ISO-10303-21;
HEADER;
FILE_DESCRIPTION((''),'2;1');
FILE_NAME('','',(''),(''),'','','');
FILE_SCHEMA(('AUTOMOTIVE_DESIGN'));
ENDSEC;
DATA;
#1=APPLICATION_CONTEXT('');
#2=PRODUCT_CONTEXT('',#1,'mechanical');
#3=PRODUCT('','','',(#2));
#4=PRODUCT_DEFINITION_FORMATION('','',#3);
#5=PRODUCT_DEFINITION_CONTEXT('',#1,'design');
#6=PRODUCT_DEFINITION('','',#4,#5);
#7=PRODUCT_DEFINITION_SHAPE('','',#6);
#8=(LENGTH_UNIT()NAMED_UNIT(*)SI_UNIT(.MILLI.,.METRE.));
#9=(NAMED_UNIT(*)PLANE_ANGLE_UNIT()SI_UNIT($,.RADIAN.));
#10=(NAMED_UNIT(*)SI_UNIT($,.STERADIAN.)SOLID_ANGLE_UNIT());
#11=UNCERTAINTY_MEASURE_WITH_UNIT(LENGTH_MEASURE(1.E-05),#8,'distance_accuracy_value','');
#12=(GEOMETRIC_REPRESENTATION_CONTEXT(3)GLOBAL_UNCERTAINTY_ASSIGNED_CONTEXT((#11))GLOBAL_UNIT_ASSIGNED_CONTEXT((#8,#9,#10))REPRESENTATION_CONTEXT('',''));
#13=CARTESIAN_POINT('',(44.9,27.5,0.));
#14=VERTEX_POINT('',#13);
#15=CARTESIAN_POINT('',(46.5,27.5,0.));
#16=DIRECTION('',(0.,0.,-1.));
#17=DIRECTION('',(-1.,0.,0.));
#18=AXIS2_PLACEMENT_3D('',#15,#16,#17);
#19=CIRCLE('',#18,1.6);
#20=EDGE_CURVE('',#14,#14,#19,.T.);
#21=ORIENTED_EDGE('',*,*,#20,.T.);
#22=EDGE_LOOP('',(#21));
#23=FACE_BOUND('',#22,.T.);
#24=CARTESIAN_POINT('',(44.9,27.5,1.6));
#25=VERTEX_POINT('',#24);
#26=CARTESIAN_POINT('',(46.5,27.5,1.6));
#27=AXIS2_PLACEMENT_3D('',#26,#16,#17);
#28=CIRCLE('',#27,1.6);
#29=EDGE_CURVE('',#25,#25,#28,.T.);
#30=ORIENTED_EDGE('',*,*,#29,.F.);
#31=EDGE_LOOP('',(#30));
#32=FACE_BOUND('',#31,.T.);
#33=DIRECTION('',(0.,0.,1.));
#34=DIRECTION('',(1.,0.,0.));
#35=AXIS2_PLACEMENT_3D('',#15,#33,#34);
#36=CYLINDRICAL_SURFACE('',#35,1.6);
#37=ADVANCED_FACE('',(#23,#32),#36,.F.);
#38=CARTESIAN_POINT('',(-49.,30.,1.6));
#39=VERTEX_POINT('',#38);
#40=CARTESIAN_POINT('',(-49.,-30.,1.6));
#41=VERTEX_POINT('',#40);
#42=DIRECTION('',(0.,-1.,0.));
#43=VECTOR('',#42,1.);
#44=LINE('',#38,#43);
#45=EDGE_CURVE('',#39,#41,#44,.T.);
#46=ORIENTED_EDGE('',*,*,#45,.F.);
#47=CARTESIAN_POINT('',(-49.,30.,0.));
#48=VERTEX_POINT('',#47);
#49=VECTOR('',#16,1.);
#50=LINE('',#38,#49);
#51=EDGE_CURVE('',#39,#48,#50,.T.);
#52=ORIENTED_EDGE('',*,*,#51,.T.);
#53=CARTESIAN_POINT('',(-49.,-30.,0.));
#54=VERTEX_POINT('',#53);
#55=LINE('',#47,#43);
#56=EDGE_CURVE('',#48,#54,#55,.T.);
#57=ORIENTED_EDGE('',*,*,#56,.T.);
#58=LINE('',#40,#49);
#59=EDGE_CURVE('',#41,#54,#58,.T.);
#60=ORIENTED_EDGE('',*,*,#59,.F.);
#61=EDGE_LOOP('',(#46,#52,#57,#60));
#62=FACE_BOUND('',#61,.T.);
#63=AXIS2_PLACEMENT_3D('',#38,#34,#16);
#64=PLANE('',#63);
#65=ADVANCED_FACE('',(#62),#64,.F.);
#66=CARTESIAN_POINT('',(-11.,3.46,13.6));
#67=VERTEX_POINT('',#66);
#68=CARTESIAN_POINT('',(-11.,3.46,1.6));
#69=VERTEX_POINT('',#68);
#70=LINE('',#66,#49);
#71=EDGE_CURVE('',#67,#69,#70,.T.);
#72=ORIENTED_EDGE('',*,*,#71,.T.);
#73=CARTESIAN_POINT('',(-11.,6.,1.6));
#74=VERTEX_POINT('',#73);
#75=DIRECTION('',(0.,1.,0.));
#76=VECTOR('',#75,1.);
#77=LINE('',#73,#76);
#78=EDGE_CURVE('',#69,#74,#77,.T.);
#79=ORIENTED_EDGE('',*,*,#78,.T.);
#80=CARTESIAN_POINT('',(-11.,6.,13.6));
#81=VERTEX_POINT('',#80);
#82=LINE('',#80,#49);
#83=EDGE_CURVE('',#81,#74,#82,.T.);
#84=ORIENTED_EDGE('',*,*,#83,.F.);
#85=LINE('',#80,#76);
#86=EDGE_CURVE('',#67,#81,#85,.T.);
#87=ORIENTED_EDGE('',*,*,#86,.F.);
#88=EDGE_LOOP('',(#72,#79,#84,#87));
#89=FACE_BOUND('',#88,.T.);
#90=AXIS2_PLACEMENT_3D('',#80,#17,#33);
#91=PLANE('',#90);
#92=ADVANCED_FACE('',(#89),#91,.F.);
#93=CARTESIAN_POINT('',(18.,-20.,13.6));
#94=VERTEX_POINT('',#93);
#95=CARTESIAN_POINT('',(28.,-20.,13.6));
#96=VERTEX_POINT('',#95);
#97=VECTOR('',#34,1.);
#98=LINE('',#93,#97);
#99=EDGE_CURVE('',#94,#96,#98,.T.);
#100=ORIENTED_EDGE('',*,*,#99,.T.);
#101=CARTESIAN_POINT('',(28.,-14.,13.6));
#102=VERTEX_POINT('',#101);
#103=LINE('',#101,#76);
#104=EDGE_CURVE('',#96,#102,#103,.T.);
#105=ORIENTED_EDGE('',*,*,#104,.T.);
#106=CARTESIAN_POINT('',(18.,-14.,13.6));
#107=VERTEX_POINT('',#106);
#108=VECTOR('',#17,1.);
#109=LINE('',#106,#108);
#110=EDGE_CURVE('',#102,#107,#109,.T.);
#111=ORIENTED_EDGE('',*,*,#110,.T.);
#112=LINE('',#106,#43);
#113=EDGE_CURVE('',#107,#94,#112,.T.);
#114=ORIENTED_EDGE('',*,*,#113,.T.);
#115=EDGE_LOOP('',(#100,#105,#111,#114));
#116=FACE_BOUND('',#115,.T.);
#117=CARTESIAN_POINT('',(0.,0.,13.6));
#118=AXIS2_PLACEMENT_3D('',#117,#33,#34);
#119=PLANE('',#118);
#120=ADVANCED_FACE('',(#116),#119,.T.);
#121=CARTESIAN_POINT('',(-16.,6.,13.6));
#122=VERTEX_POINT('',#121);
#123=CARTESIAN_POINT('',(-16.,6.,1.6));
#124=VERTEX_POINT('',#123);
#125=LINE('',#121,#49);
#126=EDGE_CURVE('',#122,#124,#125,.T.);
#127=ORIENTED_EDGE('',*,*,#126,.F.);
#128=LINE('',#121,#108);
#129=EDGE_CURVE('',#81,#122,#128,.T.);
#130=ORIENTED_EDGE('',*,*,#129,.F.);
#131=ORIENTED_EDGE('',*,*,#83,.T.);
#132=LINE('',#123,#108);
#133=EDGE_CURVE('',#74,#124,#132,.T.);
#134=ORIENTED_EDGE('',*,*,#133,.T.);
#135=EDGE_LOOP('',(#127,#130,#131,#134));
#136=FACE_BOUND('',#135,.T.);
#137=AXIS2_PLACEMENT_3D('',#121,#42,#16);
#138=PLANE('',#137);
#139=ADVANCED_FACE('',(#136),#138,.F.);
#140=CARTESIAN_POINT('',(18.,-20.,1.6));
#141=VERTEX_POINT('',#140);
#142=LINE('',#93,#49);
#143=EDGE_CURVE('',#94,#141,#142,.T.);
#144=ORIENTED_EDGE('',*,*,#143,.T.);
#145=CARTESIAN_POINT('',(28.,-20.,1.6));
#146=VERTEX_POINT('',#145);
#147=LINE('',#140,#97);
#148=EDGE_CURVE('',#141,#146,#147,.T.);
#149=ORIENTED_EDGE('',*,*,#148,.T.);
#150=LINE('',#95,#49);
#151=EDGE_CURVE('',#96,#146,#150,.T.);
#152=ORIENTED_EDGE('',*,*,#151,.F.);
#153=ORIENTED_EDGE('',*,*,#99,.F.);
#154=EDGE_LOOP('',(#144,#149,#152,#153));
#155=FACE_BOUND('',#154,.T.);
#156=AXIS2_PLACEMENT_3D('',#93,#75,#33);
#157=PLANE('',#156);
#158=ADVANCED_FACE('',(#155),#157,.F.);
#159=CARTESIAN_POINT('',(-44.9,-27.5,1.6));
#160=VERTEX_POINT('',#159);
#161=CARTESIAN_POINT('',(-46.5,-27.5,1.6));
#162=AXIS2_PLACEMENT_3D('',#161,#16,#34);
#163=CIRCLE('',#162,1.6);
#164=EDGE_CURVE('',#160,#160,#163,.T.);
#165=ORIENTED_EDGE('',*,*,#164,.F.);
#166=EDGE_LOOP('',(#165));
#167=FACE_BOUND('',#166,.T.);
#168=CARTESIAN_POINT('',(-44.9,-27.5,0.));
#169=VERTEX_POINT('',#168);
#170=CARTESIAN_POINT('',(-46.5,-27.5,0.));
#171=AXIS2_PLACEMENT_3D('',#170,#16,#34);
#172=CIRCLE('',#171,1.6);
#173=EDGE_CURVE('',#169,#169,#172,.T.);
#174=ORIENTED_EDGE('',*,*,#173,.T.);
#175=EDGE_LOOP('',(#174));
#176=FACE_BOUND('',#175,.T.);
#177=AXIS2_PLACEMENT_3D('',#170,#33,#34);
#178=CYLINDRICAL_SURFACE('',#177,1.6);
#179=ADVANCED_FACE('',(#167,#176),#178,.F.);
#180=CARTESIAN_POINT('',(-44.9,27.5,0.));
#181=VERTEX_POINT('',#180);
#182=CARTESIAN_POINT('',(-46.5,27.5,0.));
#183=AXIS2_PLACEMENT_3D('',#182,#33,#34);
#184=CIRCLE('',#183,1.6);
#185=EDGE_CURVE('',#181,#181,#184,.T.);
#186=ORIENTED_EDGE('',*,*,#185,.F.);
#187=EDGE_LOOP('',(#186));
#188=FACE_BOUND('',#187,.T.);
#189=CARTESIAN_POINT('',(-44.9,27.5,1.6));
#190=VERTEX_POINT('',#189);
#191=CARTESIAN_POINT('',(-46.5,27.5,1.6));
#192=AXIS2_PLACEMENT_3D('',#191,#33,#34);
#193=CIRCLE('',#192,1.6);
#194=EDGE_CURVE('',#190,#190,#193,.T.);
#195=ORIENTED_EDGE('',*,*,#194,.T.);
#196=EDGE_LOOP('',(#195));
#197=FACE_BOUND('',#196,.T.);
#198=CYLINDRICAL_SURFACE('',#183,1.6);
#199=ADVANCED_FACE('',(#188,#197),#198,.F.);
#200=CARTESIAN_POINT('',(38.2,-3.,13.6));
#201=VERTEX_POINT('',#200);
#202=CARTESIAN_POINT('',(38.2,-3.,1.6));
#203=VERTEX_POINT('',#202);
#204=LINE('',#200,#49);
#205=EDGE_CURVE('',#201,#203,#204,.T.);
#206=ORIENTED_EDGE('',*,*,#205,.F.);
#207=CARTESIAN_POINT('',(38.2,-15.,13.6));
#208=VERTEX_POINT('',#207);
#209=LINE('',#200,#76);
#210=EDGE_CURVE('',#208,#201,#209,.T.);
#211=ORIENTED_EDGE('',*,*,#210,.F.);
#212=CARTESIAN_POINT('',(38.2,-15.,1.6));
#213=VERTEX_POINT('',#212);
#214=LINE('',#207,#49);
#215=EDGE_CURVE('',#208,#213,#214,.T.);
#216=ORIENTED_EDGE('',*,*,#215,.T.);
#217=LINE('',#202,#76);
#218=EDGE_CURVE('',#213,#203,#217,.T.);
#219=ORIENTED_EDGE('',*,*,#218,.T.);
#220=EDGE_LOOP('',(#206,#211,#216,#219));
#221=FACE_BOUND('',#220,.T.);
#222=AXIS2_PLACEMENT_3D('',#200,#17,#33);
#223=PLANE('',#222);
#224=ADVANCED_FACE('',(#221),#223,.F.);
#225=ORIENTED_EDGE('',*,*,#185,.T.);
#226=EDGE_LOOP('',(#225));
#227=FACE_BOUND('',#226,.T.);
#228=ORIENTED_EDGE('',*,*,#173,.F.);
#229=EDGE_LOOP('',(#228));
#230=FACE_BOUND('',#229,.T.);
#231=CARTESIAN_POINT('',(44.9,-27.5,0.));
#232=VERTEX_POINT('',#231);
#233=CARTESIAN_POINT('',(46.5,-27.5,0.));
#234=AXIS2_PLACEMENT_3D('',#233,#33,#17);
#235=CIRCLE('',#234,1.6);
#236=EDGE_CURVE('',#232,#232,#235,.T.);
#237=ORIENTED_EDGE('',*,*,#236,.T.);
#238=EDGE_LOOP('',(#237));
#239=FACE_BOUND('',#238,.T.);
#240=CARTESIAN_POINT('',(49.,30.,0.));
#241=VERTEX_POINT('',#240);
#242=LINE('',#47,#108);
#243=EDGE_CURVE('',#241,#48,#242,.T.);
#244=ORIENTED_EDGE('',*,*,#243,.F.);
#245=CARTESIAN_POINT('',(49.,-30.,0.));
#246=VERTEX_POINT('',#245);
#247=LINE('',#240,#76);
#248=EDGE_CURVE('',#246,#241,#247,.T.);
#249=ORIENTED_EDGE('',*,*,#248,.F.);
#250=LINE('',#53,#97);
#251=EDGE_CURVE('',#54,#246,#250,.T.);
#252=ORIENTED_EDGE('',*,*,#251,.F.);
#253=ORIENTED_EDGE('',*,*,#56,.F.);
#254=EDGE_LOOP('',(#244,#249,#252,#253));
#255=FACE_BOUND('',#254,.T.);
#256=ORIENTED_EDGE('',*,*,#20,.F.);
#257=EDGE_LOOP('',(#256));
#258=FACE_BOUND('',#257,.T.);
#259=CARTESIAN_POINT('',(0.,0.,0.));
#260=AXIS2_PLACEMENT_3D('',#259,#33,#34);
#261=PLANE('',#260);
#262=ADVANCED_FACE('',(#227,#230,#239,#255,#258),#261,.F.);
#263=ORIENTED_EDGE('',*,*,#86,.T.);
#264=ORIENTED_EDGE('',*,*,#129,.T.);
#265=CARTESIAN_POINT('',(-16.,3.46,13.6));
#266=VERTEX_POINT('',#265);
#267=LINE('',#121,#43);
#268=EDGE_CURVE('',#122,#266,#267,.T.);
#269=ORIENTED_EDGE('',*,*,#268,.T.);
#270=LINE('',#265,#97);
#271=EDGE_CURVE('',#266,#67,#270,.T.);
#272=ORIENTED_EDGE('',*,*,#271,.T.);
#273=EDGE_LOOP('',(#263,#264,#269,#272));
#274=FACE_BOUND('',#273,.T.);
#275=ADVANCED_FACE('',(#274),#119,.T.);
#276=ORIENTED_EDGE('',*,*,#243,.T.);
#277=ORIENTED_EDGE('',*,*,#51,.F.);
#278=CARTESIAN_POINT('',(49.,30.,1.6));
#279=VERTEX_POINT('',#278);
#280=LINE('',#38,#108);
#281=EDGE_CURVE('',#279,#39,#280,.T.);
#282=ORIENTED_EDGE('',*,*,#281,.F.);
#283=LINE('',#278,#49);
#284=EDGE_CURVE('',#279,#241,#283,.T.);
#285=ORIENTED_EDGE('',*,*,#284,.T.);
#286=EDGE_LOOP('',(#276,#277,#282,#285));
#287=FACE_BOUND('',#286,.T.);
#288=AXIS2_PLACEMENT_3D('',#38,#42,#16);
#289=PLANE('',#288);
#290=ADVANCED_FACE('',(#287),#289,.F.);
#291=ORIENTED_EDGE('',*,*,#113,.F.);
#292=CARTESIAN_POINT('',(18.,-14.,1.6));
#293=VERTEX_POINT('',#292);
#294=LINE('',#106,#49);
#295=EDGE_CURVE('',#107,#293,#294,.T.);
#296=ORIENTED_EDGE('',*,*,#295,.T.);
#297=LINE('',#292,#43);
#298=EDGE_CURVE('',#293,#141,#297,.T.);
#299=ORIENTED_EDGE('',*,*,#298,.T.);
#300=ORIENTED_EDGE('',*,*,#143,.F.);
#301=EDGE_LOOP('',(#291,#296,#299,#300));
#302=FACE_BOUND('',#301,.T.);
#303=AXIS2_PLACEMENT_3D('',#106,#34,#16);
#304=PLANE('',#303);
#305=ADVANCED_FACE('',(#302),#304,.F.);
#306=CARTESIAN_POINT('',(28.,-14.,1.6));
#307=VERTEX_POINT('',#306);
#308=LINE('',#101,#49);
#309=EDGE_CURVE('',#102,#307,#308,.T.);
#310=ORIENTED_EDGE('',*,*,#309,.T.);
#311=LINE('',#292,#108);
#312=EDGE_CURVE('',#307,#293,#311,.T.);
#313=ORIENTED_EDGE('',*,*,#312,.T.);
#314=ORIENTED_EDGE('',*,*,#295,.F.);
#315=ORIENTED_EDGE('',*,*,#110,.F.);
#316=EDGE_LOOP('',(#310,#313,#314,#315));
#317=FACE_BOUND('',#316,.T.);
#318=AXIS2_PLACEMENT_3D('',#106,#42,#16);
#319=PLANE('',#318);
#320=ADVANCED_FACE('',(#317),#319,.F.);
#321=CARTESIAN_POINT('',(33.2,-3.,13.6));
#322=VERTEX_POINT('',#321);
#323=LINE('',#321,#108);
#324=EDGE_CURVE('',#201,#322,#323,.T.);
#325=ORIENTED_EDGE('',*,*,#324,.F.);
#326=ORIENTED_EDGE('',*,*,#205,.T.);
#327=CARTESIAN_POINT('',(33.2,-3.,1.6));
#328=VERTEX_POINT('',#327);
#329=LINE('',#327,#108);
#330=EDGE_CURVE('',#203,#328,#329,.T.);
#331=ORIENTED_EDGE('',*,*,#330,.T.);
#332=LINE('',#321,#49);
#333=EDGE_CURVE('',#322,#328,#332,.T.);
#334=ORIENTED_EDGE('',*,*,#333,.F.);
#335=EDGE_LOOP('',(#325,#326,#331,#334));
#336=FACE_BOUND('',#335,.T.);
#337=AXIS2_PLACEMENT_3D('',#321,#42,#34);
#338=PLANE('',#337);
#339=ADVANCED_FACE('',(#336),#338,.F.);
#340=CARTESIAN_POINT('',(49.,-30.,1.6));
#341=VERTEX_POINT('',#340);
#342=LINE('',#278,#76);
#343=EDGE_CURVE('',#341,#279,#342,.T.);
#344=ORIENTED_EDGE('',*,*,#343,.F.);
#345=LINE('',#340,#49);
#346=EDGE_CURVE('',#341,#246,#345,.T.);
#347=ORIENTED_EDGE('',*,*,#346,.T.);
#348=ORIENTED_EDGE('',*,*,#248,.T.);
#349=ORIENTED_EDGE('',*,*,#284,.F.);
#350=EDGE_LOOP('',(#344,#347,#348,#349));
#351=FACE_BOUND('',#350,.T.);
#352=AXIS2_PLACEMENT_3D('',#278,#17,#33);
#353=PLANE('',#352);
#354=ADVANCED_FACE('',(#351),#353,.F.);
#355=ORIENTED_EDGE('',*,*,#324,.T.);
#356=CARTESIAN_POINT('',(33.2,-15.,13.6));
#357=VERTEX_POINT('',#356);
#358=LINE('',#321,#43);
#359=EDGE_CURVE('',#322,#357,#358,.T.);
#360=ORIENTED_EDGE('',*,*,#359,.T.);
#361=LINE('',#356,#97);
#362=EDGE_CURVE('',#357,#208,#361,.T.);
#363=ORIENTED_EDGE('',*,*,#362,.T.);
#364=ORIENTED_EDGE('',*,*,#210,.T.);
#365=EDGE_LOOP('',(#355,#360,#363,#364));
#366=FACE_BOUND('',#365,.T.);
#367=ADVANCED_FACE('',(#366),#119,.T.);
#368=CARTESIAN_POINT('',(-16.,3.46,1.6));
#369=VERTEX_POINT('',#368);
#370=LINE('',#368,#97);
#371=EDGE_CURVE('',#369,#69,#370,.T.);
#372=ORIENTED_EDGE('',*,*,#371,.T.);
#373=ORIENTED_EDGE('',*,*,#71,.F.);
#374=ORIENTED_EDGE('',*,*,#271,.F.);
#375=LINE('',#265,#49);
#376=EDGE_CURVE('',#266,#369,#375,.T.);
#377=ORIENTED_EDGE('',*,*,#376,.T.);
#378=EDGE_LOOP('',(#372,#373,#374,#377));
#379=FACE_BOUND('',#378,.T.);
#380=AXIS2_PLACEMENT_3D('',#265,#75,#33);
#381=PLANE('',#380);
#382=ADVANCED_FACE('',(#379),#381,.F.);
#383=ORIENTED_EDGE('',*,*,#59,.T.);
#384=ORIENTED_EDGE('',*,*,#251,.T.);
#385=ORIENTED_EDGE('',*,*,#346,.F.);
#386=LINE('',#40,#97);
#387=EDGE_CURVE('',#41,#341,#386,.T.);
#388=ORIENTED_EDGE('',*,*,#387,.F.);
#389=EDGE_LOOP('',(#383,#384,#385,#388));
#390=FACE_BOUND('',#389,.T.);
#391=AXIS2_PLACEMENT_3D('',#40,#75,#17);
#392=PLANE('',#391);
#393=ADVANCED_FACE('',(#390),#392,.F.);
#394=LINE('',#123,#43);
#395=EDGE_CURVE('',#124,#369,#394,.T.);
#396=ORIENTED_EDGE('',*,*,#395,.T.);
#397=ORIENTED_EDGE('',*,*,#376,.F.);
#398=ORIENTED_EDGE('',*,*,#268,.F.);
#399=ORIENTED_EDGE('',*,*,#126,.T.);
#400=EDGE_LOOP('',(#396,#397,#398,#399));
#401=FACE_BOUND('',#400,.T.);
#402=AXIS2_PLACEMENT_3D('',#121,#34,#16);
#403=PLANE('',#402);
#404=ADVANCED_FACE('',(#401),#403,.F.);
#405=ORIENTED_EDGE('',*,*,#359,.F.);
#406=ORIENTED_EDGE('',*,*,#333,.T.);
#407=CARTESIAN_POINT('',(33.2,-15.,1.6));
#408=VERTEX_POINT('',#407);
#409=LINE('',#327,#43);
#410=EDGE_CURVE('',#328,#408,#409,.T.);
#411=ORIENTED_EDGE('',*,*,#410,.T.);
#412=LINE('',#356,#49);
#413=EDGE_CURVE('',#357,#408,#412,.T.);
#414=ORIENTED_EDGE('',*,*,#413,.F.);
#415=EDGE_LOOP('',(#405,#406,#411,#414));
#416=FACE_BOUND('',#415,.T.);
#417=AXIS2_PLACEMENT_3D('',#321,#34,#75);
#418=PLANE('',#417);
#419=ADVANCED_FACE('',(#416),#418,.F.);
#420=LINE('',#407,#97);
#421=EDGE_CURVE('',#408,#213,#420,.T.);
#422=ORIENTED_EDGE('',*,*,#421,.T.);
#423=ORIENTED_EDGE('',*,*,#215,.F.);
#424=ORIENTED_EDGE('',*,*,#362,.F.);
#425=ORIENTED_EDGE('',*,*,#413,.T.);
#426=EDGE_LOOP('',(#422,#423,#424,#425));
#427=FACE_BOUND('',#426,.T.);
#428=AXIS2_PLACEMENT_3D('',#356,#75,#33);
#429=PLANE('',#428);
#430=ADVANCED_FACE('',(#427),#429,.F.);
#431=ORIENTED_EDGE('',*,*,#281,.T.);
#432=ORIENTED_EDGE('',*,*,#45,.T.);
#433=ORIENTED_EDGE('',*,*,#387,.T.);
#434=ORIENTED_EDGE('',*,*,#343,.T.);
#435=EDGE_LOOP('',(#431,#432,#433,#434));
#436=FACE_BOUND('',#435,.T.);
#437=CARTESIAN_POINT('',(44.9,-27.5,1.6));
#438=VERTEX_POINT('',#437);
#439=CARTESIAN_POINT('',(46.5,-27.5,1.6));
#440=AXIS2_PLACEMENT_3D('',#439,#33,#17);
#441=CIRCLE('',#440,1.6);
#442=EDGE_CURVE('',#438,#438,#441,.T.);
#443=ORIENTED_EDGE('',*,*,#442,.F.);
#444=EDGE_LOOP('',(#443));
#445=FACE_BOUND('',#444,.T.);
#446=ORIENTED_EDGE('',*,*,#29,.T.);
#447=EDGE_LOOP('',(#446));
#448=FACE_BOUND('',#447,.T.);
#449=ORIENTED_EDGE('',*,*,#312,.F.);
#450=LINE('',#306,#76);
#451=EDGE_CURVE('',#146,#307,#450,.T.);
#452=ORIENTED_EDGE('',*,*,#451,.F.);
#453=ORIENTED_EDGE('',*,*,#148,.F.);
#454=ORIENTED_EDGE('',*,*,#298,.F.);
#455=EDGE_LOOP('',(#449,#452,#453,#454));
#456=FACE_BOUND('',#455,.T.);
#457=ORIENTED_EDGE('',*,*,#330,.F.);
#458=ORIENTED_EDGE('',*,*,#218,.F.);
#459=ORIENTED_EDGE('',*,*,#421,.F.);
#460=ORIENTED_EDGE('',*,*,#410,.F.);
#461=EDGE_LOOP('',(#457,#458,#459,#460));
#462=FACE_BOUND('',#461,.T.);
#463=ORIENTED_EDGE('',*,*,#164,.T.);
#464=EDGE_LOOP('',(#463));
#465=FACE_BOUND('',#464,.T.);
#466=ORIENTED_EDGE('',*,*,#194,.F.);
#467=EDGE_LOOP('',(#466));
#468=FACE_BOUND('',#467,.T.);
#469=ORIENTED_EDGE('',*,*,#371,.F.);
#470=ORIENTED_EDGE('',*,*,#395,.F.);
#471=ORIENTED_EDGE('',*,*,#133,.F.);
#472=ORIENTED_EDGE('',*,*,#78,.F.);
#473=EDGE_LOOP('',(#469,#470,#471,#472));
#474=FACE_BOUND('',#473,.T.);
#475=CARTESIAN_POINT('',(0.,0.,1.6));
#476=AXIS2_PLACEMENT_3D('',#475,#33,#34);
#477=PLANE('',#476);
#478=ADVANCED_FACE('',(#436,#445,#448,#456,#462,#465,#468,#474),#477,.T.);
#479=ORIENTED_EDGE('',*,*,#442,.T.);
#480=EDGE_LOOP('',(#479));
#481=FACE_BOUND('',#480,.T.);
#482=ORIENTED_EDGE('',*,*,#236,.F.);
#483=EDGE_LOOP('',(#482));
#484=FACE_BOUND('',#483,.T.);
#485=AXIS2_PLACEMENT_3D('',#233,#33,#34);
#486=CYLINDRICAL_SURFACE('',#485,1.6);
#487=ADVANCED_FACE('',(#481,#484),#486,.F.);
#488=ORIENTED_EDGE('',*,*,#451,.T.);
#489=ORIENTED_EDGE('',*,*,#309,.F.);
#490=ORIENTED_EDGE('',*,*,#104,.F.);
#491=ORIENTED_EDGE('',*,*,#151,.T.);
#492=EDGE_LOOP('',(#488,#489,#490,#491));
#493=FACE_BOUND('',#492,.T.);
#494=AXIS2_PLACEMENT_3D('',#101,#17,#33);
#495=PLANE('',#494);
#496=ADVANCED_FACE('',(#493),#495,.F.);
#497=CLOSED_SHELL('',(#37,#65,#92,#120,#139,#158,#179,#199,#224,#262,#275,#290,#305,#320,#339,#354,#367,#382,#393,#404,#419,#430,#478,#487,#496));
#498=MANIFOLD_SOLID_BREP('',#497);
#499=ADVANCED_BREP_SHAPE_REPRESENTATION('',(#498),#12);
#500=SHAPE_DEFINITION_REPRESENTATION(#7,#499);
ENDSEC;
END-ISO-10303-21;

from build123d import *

# Parameters (mm, degrees)
ESQUISSE1_W               = 98
ESQUISSE1_H               = 60
BOSS_EXTRU_1_DEPTH        = 1.6
ESQUISSE2_R               = 1.6
ENL_V_MAT_EXTRU_1_DEPTH   = 58.476603936
SYM_TRIE2_COPY_1_SKETCH_R = 1.6
SYM_TRIE2_COPY_1_DEPTH    = 58.476603936
ESQUISSE3_W               = 5
ESQUISSE3_H               = 12
ESQUISSE3_W_2             = 10
ESQUISSE3_H_2             = 6
ESQUISSE3_H_3             = 2.54
BOSS_EXTRU_2_DEPTH        = 12


with BuildPart() as part:
    # Esquisse1 → Boss.-Extru.1 (new body)
    with BuildSketch(Plane.XY):
        Rectangle(ESQUISSE1_W, ESQUISSE1_H)
    extrude(amount=BOSS_EXTRU_1_DEPTH)

    # Esquisse2 → Enlèv. mat.-Extru.1 (cut, through all)
    with BuildSketch(Plane.XY.offset(1.6)):
        with Locations((-46.5, 27.5)):
            Circle(ESQUISSE2_R)
    enl_v_mat_extru_1 = extrude(amount=-ENL_V_MAT_EXTRU_1_DEPTH, mode=Mode.SUBTRACT)

    # Symétrie1: Enlèv. mat.-Extru.1 across plane
    add(enl_v_mat_extru_1.mirror(Plane.ZX), mode=Mode.SUBTRACT)

    # Symétrie2: Enlèv. mat.-Extru.1 across plane
    add(enl_v_mat_extru_1.mirror(Plane(origin=(0, 0, 0), x_dir=(0, 0, 1), z_dir=(1, 0, 0))), mode=Mode.SUBTRACT)

    # Symétrie2 copy 1 sketch → Symétrie2 copy 1 (cut, through all)
    with BuildSketch(Plane(origin=(0, 0, 1.6), x_dir=(-1, 0, 0), z_dir=(0, 0, 1))):
        with Locations((-46.5, 27.5)):
            Circle(SYM_TRIE2_COPY_1_SKETCH_R)
    extrude(amount=-SYM_TRIE2_COPY_1_DEPTH, mode=Mode.SUBTRACT)

    # Esquisse3 → Boss.-Extru.2 (add)
    with BuildSketch(Plane.XY.offset(1.6)):
        with Locations((35.7, -9)):
            Rectangle(ESQUISSE3_W, ESQUISSE3_H)
        with Locations((23, -17)):
            Rectangle(ESQUISSE3_W_2, ESQUISSE3_H_2)
        with Locations((-13.5, 4.73)):
            Rectangle(ESQUISSE3_W, ESQUISSE3_H_3)
    extrude(amount=BOSS_EXTRU_2_DEPTH)


solid = part.part
